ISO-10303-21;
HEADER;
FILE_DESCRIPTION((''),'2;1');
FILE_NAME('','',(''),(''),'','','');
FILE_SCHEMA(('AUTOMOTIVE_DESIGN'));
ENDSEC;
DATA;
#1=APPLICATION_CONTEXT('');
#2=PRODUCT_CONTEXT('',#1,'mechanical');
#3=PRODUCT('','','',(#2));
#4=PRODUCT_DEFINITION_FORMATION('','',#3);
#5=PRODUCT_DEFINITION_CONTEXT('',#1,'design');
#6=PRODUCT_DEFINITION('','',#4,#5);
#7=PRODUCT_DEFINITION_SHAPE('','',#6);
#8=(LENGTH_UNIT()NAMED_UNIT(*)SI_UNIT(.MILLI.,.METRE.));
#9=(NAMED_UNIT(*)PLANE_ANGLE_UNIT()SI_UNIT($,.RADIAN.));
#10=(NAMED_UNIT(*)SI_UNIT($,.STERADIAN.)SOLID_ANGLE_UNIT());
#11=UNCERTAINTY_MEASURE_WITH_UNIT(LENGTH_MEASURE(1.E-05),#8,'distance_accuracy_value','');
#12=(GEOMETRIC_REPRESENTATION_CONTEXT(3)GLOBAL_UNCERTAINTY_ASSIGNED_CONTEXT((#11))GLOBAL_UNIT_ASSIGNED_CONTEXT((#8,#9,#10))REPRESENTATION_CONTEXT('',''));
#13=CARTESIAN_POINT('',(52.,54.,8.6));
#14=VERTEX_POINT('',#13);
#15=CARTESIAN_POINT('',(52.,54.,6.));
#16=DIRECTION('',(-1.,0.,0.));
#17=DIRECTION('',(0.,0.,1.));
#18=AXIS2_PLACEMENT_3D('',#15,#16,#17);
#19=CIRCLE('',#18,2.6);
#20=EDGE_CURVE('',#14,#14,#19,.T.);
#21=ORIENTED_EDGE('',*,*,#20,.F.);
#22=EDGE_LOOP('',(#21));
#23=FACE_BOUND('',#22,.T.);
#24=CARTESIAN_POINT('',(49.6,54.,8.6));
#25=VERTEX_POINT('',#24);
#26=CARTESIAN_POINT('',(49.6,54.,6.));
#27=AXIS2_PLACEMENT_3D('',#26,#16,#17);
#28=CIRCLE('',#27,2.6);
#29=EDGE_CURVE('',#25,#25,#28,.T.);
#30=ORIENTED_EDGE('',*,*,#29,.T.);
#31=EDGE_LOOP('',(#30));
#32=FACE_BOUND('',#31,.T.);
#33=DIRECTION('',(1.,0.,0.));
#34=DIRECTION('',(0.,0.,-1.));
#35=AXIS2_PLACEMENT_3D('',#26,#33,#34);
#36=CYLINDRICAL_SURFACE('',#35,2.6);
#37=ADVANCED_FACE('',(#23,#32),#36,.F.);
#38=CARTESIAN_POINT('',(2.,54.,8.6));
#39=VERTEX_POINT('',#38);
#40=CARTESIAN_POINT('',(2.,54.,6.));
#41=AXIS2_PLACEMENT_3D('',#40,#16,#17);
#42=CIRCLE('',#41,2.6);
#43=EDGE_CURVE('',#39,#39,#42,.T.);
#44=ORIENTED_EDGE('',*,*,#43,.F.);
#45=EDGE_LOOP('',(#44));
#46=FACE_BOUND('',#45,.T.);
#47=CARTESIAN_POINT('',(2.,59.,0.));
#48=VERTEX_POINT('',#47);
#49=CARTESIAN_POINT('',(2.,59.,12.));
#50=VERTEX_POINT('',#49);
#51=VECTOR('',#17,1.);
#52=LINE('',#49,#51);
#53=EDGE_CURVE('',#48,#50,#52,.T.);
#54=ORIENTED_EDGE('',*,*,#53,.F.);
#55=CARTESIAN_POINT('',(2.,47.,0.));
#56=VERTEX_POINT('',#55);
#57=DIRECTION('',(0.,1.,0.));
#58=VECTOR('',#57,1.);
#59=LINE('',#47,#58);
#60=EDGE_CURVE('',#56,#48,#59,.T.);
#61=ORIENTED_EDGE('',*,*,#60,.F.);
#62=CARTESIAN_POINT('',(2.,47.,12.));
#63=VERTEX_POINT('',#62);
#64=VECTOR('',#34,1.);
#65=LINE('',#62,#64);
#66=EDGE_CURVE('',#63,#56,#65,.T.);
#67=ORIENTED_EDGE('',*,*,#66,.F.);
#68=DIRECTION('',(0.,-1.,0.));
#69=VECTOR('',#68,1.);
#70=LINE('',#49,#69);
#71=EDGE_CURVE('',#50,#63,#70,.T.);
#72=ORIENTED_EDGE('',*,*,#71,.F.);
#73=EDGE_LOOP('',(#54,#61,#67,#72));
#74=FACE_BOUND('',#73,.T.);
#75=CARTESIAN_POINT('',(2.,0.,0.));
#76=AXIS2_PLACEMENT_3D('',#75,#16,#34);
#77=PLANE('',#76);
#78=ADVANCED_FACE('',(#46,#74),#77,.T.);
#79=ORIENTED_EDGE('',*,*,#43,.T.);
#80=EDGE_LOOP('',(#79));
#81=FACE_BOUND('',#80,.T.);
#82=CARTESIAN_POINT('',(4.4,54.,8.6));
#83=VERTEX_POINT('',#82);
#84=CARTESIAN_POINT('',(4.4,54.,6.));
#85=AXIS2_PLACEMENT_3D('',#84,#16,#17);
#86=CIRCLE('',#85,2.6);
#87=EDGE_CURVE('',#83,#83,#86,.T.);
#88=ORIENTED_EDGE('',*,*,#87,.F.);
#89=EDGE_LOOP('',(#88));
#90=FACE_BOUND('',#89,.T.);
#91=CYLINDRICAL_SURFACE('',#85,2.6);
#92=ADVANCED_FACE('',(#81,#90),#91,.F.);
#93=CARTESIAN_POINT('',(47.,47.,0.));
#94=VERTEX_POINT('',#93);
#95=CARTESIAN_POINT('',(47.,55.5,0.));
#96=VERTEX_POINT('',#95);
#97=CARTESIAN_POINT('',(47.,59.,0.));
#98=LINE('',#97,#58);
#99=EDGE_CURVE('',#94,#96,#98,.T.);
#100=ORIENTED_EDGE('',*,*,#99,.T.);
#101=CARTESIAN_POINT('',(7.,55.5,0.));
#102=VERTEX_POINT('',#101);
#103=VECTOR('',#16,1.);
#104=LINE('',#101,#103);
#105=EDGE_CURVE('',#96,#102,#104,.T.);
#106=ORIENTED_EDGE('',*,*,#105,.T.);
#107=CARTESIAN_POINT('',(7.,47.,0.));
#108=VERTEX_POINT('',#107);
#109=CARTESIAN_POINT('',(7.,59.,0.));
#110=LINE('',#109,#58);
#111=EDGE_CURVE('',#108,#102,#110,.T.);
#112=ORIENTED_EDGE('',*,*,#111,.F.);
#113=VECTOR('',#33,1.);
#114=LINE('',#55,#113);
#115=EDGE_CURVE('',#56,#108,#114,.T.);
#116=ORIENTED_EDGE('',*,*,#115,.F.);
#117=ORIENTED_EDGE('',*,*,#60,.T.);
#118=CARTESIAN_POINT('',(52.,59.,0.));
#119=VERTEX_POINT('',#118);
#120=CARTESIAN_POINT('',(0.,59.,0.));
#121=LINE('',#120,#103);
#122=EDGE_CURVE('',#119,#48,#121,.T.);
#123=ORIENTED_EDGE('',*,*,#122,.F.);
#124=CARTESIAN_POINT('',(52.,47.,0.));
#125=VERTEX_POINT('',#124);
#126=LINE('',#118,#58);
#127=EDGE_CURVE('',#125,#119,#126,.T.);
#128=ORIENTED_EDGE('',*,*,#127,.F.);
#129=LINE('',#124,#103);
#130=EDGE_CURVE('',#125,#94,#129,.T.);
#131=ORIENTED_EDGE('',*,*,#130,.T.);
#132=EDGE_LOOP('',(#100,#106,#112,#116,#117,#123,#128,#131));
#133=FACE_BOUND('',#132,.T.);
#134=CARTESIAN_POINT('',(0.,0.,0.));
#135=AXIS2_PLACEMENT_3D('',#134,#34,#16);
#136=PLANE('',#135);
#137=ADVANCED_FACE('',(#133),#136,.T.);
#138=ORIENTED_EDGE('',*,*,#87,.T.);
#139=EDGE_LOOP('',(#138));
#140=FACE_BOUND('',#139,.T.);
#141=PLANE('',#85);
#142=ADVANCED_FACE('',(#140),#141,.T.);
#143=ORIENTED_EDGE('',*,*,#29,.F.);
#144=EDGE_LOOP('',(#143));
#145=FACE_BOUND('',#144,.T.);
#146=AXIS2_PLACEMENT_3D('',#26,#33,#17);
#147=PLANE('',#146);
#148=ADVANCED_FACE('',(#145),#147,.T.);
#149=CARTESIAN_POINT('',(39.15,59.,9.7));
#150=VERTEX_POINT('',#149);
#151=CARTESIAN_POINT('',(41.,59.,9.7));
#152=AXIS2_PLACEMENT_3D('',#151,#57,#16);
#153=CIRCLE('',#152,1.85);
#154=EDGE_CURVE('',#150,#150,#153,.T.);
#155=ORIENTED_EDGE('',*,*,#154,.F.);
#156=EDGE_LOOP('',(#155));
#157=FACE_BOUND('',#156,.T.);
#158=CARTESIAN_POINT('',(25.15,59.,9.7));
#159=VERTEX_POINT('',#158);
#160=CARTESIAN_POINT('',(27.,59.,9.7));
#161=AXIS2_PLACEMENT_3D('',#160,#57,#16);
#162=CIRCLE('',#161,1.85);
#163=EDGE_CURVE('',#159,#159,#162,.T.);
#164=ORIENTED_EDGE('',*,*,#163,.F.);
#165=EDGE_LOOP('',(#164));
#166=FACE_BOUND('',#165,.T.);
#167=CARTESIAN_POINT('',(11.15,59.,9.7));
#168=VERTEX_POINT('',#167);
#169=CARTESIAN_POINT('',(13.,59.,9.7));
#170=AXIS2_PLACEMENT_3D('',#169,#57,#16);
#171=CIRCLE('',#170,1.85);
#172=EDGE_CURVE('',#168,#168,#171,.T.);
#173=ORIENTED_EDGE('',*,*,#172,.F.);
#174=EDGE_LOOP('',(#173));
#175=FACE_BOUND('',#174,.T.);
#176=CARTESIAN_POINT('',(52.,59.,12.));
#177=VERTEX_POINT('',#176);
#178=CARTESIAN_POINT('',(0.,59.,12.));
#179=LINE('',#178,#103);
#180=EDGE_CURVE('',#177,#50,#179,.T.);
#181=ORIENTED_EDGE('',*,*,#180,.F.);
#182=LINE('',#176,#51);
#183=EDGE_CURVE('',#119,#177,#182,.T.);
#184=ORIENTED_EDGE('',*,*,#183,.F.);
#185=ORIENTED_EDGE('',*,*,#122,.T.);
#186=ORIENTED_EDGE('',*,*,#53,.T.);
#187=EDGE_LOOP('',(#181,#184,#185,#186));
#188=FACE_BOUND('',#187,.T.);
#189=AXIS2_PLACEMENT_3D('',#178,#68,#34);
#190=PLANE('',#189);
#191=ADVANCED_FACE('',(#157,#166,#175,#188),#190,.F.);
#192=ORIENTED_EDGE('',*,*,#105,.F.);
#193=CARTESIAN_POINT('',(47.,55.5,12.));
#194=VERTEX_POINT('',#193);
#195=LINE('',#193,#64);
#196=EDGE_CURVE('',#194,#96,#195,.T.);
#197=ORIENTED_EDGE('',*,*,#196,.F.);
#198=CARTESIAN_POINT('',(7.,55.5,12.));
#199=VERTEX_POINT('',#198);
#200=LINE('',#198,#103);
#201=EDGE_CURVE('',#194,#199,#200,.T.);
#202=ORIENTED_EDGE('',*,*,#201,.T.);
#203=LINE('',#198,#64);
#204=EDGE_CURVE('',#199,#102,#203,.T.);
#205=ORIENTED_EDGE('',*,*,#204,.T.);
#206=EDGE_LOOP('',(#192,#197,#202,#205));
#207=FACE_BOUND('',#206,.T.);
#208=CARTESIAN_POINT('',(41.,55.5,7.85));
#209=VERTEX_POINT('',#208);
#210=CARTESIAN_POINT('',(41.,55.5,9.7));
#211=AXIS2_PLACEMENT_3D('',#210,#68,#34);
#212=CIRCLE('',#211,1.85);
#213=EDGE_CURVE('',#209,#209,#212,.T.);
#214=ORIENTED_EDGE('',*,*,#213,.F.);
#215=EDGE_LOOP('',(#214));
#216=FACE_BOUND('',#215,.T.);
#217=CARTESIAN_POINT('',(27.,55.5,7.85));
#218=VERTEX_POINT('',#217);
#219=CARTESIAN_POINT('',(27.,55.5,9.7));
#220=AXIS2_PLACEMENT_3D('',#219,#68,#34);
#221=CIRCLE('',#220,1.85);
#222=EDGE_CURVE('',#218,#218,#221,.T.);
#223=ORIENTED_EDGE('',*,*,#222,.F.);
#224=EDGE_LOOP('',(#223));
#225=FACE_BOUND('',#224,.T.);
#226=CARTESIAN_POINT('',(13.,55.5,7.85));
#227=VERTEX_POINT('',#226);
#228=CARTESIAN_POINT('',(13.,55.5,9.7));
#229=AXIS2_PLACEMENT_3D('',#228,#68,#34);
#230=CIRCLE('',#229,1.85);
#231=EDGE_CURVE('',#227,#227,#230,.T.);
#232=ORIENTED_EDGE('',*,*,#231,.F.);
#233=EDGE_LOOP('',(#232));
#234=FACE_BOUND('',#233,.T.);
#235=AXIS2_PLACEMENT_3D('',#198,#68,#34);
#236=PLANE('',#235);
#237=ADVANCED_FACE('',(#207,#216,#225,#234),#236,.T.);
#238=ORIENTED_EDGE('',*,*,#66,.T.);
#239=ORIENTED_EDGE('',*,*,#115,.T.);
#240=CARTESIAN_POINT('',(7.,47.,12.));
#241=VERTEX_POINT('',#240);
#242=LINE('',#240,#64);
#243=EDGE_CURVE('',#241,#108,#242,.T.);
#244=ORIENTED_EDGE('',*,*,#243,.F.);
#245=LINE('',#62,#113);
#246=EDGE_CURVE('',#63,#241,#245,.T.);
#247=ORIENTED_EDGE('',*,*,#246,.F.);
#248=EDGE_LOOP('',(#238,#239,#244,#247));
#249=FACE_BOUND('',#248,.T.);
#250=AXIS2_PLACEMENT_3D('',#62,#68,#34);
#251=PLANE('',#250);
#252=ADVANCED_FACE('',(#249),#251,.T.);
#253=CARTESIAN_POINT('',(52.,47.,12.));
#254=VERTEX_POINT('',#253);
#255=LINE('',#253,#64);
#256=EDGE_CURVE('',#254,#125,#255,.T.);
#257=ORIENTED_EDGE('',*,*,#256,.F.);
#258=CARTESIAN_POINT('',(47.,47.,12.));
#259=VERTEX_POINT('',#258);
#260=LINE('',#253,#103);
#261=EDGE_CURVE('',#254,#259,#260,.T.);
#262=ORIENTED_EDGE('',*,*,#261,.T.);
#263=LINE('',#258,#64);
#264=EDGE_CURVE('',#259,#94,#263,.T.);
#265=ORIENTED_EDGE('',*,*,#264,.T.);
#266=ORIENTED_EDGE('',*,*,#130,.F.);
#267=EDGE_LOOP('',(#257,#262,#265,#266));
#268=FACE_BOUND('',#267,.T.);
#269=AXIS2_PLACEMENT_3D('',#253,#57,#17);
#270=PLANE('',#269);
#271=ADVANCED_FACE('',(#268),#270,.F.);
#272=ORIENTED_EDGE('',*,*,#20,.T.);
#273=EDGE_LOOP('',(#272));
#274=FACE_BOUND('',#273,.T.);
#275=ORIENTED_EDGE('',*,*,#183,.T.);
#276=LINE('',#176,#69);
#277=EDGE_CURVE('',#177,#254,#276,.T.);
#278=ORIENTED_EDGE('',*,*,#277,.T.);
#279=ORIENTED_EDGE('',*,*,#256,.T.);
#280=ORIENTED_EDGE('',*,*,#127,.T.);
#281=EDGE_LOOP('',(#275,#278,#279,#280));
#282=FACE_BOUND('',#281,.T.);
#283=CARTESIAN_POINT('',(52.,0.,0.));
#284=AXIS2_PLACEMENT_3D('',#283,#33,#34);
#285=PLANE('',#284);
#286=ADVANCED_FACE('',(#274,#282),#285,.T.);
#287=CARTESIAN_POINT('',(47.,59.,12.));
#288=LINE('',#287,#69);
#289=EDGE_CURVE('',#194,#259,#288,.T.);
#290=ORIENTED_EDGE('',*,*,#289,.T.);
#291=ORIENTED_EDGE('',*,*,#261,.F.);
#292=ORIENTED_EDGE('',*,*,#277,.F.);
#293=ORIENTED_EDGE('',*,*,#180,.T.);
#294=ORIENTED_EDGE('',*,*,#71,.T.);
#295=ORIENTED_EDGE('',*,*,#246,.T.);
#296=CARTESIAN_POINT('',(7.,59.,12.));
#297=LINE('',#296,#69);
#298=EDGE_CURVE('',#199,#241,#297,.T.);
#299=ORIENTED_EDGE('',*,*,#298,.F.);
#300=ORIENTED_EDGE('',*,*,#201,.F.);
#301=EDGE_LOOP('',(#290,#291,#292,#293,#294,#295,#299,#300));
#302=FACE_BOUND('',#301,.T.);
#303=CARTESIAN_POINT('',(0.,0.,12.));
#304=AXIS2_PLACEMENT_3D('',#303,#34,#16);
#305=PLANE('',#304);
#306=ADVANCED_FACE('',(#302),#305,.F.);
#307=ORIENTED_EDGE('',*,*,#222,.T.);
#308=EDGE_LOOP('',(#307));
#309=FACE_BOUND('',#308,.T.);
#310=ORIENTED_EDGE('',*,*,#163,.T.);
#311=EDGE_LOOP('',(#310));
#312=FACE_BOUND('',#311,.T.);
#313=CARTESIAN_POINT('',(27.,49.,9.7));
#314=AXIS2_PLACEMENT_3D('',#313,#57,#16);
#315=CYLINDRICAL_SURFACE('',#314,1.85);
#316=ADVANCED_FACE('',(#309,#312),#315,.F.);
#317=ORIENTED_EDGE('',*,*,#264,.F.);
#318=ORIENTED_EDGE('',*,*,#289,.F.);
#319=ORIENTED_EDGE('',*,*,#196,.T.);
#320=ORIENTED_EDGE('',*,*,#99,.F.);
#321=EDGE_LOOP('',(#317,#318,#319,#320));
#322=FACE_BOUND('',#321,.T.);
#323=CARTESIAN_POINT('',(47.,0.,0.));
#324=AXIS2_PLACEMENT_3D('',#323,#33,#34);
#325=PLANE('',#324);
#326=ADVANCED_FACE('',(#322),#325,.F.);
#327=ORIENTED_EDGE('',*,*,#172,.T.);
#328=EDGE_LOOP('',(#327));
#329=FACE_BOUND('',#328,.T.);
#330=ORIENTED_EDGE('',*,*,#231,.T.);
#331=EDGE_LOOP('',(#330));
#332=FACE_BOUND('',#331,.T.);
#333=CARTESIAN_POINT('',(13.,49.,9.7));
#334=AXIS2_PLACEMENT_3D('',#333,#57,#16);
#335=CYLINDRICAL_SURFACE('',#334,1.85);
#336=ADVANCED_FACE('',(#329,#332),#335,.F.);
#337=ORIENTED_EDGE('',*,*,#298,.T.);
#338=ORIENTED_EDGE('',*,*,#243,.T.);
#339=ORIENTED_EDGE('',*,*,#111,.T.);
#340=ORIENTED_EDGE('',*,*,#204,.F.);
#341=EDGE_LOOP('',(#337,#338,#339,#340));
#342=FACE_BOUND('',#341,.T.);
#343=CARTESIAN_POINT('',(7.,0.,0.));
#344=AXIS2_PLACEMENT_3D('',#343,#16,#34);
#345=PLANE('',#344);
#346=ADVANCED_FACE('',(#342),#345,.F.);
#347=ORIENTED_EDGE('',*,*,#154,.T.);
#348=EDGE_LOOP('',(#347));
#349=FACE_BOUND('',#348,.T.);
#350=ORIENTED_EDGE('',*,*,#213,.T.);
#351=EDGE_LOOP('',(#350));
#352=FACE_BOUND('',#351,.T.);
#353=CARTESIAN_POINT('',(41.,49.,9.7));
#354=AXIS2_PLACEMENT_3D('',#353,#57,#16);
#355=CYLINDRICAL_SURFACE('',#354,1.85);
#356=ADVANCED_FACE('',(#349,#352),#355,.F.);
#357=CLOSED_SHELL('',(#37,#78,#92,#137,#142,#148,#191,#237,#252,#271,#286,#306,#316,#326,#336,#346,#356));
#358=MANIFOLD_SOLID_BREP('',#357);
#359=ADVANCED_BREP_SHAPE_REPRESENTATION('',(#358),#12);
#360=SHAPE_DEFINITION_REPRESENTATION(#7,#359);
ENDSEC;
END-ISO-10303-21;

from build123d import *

# Parameters (mm, degrees)
SKETCH1_W           = 54
SKETCH1_H           = 59
SKETCH1_W_2         = 40
SKETCH1_H_2         = 52
BOSS_EXTRUDE1_DEPTH = 12
SKETCH2_R           = 1.85
CUT_EXTRUDE1_DEPTH  = 10
SKETCH3_R           = 1.85
CUT_EXTRUDE2_DEPTH  = 10
SKETCH4_W           = 54
SKETCH4_H           = 12
CUT_EXTRUDE4_DEPTH  = 40
SKETCH5_W           = 7
SKETCH5_H           = 12
CUT_EXTRUDE5_DEPTH  = 40
SKETCH6_W           = 12
SKETCH6_H           = 12
BOSS_EXTRUDE2_DEPTH = 5
SKETCH7_R           = 2.6
CUT_EXTRUDE6_DEPTH  = 2.4


with BuildPart() as part:
    # Sketch1 → Boss-Extrude1 (new body)
    with BuildSketch(Plane.XY):
        with Locations((27, 29.5)):
            Rectangle(SKETCH1_W, SKETCH1_H)
        with Locations((27, 29.5)):
            Rectangle(SKETCH1_W_2, SKETCH1_H_2, mode=Mode.SUBTRACT)
    extrude(amount=BOSS_EXTRUDE1_DEPTH)

    # Sketch2 → Cut-Extrude1 (cut)
    with BuildSketch(Plane(origin=(0, 59, 0), x_dir=(1, 0, 0), z_dir=(0, 1, 0))):
        with Locations(Location((13, -9.7, 0), (0, 0, 180))):
            Circle(SKETCH2_R)
        with Locations(Location((41, -9.7, 0), (0, 0, 180))):
            Circle(SKETCH2_R)
        with Locations(Location((27, -9.7, 0), (0, 0, 180))):
            Circle(SKETCH2_R)
    extrude(amount=-CUT_EXTRUDE1_DEPTH, mode=Mode.SUBTRACT)

    # Sketch3 → Cut-Extrude2 (cut)
    with BuildSketch(Plane.XZ):
        with Locations(Location((12.75, 6, 0), (0, 0, 270))):
            Circle(SKETCH3_R)
        with Locations(Location((41.25, 6, 0), (0, 0, 90))):
            Circle(SKETCH3_R)
    extrude(amount=-CUT_EXTRUDE2_DEPTH, mode=Mode.SUBTRACT)

    # Sketch4 → Cut-Extrude4 (cut)
    with BuildSketch(Plane.XZ):
        with Locations((27, 6)):
            Rectangle(SKETCH4_W, SKETCH4_H)
    extrude(amount=-CUT_EXTRUDE4_DEPTH, mode=Mode.SUBTRACT)

    # Sketch5 → Cut-Extrude5 (cut)
    with BuildSketch(Plane.XZ.offset(-40)):
        with Locations((3.5, 6)):
            Rectangle(SKETCH5_W, SKETCH5_H)
        with Locations((50.5, 6)):
            Rectangle(SKETCH5_W, SKETCH5_H)
    extrude(amount=-CUT_EXTRUDE5_DEPTH, mode=Mode.SUBTRACT)

    # Sketch6 → Boss-Extrude2 (add)
    with BuildSketch(Plane(origin=(47, 0, 0), x_dir=(0, 0, -1), z_dir=(1, 0, 0))):
        with Locations((-6, 53)):
            Rectangle(SKETCH6_W, SKETCH6_H)
    boss_extrude2 = extrude(amount=BOSS_EXTRUDE2_DEPTH)

    # Mirror1: Boss-Extrude2 across plane
    add(boss_extrude2.mirror(Plane.ZY.offset(-27)))

    # Sketch7 → Cut-Extrude6 (cut)
    with BuildSketch(Plane.ZY.offset(-2)):
        with Locations((6, 54)):
            Circle(SKETCH7_R)
    cut_extrude6 = extrude(amount=-CUT_EXTRUDE6_DEPTH, mode=Mode.SUBTRACT)

    # Mirror2: Cut-Extrude6 across plane
    add(cut_extrude6.mirror(Plane.ZY.offset(-27)), mode=Mode.SUBTRACT)


solid = part.part
